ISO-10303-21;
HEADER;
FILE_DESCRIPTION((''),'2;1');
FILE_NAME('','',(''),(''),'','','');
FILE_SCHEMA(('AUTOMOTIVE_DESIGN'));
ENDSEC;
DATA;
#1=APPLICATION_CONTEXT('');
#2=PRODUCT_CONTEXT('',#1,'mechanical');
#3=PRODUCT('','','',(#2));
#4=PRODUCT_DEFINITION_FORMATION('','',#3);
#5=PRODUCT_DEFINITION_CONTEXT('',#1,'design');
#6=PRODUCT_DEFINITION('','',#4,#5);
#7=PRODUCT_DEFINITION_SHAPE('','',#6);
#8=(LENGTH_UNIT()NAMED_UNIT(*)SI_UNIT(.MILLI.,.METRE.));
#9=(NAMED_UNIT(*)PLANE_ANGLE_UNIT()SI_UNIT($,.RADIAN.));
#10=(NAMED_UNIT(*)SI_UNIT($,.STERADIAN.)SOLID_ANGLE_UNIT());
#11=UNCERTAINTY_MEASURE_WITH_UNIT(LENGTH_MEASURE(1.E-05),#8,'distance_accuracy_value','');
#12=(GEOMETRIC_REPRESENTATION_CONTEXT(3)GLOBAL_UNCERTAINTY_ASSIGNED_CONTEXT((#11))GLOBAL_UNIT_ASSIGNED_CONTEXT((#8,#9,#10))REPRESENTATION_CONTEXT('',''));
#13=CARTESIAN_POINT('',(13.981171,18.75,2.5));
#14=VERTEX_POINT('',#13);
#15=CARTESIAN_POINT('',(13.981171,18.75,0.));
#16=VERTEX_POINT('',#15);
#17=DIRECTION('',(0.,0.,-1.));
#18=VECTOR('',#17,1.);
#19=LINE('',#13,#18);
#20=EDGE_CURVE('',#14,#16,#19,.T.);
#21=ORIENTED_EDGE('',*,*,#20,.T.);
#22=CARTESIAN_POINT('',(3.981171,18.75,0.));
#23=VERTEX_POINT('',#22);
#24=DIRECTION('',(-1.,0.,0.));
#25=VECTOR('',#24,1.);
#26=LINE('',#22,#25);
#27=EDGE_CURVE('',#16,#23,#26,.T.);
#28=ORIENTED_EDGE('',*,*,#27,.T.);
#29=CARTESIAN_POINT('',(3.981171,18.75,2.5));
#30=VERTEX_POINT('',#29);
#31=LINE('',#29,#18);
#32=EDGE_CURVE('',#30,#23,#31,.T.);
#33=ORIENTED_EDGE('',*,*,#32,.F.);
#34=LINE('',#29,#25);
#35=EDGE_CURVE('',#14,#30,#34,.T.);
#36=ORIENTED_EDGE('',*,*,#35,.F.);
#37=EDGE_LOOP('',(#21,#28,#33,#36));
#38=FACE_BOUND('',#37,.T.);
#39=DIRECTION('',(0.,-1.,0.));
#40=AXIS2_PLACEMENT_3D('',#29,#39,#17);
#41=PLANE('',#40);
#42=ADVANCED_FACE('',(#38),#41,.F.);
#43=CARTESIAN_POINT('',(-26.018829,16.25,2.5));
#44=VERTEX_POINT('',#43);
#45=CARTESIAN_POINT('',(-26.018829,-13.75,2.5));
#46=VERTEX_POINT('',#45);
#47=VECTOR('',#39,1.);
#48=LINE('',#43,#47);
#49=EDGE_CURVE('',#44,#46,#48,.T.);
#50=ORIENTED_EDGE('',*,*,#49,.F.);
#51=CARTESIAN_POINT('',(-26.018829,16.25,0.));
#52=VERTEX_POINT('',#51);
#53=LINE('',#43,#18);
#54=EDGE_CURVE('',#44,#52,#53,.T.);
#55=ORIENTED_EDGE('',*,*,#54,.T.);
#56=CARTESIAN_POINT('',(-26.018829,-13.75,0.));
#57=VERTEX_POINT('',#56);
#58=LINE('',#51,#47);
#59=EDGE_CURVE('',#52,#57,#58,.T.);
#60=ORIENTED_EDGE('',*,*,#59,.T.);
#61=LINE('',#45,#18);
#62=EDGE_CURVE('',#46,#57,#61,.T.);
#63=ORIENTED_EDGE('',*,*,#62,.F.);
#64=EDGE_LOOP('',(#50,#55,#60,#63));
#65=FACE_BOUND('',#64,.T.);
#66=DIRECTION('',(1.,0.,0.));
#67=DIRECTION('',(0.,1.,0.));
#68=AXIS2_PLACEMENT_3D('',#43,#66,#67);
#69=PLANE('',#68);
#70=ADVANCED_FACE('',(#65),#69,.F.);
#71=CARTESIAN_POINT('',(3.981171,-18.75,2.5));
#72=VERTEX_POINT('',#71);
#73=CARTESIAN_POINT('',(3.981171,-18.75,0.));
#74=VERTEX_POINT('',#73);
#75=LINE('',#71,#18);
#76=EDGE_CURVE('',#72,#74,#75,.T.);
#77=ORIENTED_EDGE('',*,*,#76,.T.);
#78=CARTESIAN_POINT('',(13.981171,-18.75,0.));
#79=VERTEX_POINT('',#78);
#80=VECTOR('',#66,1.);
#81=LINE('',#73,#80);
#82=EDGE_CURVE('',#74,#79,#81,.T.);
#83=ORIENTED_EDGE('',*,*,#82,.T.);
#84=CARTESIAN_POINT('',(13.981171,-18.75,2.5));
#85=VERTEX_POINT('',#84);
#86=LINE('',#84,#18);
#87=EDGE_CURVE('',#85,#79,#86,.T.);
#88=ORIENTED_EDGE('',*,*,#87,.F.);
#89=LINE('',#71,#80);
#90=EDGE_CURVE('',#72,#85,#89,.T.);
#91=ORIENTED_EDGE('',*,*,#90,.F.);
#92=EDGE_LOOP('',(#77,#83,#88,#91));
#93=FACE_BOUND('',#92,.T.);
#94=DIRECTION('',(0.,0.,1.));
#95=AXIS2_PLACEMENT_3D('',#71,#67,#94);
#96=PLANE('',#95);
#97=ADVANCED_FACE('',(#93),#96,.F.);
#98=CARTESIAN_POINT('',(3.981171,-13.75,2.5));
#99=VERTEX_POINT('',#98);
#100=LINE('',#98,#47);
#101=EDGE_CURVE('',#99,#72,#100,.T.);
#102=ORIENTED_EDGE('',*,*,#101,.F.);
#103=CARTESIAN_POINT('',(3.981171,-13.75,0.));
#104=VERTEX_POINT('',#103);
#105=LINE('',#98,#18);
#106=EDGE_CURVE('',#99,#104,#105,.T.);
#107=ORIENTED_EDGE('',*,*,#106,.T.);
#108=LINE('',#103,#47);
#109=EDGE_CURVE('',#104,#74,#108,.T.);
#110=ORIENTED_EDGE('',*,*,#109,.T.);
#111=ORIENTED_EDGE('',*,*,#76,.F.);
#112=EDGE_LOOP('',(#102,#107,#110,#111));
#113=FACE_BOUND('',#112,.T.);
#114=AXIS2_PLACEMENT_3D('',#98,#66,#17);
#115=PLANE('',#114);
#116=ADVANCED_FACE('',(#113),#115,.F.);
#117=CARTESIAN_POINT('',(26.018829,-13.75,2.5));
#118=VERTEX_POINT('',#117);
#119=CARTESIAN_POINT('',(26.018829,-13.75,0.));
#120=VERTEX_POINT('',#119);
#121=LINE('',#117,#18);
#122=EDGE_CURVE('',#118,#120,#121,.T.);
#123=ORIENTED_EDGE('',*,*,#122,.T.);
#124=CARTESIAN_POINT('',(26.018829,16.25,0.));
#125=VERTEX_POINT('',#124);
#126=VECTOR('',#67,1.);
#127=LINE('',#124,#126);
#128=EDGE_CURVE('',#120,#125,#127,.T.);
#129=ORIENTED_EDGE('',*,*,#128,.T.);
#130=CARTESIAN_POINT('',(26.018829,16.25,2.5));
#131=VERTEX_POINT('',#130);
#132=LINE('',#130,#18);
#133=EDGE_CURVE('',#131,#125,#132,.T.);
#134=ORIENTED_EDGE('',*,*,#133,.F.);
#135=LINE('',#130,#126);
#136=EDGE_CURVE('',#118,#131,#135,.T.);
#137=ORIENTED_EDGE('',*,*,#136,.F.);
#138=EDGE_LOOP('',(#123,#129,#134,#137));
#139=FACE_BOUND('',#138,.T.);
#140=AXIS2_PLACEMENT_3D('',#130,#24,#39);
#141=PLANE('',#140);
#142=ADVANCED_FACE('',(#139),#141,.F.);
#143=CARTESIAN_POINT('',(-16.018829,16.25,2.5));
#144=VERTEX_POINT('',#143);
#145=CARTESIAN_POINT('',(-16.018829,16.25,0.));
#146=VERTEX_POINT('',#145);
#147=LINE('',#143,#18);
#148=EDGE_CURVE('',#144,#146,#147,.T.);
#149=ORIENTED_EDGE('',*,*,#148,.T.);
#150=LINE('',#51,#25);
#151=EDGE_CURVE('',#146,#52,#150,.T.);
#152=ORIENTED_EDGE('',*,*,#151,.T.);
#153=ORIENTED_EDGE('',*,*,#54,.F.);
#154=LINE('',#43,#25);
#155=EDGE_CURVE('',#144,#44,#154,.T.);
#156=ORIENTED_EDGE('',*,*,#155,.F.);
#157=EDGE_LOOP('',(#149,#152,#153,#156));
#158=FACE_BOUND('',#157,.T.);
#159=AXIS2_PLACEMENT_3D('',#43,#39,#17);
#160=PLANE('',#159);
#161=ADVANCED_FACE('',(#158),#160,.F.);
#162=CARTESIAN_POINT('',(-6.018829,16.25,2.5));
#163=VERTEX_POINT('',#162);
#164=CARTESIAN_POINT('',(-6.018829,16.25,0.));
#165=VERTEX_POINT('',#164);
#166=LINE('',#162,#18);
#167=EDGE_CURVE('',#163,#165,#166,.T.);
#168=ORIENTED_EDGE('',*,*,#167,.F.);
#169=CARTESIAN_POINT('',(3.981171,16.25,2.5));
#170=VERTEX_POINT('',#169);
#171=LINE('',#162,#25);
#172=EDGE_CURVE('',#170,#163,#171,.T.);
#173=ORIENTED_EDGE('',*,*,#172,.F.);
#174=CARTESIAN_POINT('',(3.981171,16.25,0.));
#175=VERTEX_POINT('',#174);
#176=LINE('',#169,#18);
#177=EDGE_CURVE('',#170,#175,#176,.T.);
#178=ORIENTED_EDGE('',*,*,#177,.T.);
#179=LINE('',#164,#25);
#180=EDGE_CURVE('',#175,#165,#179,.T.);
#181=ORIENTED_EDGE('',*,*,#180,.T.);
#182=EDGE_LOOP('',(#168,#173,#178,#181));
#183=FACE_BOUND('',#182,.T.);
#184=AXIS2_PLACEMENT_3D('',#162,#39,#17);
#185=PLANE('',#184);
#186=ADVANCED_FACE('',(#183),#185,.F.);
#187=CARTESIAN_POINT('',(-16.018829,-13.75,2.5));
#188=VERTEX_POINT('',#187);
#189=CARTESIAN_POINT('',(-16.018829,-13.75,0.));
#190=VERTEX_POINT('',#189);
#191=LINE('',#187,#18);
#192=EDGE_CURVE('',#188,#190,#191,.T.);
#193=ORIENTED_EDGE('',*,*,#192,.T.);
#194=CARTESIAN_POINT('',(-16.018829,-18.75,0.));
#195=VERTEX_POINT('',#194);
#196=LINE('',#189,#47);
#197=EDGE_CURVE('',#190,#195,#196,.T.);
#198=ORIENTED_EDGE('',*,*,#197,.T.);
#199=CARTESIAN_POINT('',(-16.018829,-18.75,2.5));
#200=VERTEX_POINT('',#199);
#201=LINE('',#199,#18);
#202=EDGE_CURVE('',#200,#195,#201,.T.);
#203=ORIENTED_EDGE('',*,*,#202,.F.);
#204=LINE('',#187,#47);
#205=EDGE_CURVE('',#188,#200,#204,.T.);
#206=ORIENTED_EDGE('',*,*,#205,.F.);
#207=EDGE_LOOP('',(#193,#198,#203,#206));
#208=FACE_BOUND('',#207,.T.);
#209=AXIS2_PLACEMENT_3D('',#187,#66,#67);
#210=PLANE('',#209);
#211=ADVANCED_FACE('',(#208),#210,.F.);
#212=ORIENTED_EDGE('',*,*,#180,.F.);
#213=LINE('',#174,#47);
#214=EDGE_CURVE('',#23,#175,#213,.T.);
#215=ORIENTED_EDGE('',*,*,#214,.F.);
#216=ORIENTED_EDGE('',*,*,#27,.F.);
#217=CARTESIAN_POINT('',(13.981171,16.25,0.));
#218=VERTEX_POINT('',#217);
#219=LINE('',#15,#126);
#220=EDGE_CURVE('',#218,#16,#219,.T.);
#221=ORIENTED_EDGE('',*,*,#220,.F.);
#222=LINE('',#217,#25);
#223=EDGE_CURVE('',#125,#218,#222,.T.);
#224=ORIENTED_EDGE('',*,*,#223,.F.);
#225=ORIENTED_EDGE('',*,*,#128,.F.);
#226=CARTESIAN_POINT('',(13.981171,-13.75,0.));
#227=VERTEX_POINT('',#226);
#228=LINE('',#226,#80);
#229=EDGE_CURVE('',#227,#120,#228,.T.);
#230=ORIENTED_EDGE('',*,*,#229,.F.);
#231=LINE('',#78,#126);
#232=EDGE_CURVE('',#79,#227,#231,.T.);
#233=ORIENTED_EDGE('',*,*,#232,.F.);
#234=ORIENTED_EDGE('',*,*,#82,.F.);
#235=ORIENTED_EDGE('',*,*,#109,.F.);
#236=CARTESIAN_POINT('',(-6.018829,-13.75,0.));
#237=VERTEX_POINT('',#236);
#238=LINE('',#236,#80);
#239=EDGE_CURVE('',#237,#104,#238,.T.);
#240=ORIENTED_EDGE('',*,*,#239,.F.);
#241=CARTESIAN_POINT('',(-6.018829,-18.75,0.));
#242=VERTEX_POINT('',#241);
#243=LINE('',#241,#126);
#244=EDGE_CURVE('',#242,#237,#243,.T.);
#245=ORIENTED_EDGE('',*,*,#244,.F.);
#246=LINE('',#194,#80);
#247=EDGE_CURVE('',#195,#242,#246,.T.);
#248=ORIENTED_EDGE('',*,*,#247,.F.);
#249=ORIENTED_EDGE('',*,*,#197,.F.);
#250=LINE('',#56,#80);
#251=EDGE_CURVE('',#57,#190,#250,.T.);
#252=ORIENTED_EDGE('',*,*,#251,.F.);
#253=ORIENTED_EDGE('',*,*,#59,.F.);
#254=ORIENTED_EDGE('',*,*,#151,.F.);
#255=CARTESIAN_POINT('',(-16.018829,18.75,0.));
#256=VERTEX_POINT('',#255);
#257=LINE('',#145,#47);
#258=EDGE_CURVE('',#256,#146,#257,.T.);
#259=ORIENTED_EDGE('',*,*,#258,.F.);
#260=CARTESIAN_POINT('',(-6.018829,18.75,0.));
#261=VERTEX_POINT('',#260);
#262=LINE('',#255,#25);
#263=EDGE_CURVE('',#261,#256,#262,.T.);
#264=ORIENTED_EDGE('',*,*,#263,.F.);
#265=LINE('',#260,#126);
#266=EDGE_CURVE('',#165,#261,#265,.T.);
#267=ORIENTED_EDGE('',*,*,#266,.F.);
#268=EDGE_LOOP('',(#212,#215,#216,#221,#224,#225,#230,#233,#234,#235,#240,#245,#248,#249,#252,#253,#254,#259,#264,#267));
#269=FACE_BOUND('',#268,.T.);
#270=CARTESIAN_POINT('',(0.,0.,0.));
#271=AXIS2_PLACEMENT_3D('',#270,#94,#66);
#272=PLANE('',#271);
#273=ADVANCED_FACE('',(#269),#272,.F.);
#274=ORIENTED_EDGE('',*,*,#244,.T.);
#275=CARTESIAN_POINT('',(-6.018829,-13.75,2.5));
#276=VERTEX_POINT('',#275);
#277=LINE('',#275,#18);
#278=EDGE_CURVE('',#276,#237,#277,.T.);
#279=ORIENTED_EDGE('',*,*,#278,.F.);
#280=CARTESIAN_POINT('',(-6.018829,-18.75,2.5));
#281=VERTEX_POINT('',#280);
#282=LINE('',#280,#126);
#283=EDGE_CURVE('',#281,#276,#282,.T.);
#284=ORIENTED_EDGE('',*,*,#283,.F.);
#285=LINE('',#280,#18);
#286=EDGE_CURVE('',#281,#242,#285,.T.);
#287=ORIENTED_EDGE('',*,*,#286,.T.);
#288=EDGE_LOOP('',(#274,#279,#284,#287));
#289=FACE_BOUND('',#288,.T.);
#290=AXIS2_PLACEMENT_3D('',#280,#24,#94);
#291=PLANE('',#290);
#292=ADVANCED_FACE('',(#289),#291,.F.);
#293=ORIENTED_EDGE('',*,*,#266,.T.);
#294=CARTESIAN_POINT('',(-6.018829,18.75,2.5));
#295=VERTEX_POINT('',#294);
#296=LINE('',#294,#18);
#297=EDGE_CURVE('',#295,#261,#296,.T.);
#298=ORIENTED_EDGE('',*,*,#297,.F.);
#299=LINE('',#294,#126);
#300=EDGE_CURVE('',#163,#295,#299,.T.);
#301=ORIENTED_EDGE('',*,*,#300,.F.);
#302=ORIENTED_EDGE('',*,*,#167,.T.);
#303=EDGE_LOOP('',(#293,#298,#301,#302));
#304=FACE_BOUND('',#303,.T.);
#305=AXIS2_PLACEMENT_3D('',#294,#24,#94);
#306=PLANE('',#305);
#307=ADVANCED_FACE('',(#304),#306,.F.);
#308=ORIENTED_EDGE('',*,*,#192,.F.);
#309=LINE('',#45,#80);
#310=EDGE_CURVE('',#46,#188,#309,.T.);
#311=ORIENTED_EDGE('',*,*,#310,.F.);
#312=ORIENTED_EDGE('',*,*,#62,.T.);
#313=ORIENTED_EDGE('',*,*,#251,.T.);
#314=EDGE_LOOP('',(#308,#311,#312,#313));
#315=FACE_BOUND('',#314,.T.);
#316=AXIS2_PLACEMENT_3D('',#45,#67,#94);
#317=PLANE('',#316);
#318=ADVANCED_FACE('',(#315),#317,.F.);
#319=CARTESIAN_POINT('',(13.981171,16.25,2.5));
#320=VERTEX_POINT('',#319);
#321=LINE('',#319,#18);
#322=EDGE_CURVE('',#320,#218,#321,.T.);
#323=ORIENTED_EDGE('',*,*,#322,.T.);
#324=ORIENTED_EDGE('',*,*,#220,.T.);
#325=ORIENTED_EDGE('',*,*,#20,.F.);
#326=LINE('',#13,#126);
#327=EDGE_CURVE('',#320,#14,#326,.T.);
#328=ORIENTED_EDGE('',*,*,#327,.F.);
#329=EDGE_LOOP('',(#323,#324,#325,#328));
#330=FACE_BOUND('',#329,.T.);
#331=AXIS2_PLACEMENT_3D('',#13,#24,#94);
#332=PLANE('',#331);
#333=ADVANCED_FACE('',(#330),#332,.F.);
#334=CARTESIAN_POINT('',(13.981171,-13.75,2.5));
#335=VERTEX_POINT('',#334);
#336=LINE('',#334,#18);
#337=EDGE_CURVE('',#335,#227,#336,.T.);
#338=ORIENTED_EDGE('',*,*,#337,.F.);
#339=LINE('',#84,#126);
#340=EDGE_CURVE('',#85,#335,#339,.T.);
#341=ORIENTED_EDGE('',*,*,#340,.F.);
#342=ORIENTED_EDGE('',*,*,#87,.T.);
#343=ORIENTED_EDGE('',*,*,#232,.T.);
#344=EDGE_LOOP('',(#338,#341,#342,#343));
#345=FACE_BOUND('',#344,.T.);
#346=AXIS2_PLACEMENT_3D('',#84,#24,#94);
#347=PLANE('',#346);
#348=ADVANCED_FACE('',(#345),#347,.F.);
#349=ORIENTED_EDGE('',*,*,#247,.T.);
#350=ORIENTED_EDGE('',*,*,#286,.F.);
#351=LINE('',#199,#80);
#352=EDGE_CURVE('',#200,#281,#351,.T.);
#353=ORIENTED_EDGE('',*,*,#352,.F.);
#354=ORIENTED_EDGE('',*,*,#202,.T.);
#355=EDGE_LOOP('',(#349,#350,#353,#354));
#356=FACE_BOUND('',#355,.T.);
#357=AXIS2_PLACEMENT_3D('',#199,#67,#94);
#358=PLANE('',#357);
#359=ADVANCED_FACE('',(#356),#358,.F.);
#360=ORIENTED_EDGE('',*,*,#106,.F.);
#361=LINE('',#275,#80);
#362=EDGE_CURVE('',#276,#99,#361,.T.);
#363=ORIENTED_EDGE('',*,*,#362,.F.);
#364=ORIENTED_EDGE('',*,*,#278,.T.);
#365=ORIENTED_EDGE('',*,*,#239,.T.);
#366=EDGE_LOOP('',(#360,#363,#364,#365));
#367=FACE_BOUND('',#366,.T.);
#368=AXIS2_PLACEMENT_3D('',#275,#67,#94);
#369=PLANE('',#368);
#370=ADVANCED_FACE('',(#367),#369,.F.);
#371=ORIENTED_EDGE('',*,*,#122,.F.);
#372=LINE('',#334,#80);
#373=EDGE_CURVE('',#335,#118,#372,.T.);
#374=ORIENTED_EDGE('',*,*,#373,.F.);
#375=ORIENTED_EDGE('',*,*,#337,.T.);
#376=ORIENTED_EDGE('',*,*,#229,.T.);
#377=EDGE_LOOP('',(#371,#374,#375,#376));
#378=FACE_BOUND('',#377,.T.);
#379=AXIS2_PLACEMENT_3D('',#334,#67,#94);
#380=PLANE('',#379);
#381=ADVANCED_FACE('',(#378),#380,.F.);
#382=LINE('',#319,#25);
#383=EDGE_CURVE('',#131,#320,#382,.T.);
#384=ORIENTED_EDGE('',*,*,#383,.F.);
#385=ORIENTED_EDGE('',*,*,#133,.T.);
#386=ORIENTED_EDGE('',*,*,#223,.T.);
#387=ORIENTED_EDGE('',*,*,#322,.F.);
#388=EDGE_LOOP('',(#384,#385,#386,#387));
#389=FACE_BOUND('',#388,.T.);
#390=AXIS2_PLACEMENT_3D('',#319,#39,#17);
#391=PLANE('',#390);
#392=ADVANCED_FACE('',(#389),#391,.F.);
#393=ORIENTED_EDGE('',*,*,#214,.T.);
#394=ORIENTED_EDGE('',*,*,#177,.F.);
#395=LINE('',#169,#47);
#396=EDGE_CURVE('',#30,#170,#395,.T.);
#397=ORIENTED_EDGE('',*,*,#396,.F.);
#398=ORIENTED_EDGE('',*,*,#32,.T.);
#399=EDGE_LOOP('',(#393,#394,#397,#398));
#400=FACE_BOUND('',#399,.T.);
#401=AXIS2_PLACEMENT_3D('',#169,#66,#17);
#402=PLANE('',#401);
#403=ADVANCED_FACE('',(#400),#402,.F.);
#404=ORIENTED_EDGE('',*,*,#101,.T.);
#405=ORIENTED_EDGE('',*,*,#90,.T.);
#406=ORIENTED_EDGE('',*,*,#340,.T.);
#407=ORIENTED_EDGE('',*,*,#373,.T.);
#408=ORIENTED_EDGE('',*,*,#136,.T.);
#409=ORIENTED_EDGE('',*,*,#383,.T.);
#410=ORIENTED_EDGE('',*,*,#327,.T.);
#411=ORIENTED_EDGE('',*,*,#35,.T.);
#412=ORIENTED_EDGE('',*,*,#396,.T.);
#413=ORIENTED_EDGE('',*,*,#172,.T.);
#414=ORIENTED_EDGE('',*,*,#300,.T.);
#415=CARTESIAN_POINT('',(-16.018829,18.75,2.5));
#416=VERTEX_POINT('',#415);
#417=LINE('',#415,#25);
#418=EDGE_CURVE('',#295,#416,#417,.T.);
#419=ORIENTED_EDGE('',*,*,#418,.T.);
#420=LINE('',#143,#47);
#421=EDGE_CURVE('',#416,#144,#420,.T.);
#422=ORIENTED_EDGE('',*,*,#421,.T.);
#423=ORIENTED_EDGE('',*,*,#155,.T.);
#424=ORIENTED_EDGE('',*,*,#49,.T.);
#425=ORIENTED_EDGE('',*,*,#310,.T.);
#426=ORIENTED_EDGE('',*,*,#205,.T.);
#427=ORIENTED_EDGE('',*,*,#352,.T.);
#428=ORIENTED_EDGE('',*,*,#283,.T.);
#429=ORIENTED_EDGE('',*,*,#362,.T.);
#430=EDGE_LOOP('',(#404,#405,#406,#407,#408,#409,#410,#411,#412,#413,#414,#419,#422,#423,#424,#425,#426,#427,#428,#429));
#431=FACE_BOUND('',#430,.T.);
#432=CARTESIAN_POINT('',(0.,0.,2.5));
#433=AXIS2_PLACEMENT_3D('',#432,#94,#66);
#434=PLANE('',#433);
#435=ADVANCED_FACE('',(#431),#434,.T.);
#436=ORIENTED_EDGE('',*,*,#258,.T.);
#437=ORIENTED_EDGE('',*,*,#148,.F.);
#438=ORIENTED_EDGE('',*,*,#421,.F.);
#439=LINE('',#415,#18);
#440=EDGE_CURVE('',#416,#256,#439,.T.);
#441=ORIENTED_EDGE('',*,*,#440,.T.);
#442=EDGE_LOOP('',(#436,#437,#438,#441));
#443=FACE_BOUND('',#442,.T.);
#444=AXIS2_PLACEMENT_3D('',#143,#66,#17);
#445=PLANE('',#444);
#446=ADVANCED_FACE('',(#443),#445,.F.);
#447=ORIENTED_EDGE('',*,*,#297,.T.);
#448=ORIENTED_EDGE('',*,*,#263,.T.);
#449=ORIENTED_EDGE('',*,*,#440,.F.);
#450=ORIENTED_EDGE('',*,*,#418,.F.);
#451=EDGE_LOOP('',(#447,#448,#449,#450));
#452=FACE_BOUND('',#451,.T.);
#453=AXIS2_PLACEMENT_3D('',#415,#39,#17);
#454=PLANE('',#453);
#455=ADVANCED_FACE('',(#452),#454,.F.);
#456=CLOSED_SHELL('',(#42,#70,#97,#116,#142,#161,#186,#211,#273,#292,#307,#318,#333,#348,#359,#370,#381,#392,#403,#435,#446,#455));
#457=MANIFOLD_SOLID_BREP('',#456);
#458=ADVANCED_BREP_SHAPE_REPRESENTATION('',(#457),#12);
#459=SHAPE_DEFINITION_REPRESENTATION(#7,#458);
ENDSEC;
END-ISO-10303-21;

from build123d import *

# Parameters (mm, degrees)
BOSS_EXTRUDE1_DEPTH = 2.5


with BuildPart() as part:
    # Sketch1 → Boss-Extrude1 (new body)
    with BuildSketch(Plane.XY):
        Polygon((-26.018829265, 16.25), (-16.018829265, 16.25), (-16.018829265, 18.75), (-6.018829265, 18.75), (-6.018829265, 16.25), (3.981170735, 16.25), (3.981170735, 18.75), (13.981170735, 18.75), (13.981170735, 16.25), (26.018829265, 16.25), (26.018829265, -13.75), (13.981170735, -13.75), (13.981170735, -18.75), (3.981170735, -18.75), (3.981170735, -13.75), (-6.018829265, -13.75), (-6.018829265, -18.75), (-16.018829265, -18.75), (-16.018829265, -13.75), (-26.018829265, -13.75), align=None)
    extrude(amount=BOSS_EXTRUDE1_DEPTH)


solid = part.part
